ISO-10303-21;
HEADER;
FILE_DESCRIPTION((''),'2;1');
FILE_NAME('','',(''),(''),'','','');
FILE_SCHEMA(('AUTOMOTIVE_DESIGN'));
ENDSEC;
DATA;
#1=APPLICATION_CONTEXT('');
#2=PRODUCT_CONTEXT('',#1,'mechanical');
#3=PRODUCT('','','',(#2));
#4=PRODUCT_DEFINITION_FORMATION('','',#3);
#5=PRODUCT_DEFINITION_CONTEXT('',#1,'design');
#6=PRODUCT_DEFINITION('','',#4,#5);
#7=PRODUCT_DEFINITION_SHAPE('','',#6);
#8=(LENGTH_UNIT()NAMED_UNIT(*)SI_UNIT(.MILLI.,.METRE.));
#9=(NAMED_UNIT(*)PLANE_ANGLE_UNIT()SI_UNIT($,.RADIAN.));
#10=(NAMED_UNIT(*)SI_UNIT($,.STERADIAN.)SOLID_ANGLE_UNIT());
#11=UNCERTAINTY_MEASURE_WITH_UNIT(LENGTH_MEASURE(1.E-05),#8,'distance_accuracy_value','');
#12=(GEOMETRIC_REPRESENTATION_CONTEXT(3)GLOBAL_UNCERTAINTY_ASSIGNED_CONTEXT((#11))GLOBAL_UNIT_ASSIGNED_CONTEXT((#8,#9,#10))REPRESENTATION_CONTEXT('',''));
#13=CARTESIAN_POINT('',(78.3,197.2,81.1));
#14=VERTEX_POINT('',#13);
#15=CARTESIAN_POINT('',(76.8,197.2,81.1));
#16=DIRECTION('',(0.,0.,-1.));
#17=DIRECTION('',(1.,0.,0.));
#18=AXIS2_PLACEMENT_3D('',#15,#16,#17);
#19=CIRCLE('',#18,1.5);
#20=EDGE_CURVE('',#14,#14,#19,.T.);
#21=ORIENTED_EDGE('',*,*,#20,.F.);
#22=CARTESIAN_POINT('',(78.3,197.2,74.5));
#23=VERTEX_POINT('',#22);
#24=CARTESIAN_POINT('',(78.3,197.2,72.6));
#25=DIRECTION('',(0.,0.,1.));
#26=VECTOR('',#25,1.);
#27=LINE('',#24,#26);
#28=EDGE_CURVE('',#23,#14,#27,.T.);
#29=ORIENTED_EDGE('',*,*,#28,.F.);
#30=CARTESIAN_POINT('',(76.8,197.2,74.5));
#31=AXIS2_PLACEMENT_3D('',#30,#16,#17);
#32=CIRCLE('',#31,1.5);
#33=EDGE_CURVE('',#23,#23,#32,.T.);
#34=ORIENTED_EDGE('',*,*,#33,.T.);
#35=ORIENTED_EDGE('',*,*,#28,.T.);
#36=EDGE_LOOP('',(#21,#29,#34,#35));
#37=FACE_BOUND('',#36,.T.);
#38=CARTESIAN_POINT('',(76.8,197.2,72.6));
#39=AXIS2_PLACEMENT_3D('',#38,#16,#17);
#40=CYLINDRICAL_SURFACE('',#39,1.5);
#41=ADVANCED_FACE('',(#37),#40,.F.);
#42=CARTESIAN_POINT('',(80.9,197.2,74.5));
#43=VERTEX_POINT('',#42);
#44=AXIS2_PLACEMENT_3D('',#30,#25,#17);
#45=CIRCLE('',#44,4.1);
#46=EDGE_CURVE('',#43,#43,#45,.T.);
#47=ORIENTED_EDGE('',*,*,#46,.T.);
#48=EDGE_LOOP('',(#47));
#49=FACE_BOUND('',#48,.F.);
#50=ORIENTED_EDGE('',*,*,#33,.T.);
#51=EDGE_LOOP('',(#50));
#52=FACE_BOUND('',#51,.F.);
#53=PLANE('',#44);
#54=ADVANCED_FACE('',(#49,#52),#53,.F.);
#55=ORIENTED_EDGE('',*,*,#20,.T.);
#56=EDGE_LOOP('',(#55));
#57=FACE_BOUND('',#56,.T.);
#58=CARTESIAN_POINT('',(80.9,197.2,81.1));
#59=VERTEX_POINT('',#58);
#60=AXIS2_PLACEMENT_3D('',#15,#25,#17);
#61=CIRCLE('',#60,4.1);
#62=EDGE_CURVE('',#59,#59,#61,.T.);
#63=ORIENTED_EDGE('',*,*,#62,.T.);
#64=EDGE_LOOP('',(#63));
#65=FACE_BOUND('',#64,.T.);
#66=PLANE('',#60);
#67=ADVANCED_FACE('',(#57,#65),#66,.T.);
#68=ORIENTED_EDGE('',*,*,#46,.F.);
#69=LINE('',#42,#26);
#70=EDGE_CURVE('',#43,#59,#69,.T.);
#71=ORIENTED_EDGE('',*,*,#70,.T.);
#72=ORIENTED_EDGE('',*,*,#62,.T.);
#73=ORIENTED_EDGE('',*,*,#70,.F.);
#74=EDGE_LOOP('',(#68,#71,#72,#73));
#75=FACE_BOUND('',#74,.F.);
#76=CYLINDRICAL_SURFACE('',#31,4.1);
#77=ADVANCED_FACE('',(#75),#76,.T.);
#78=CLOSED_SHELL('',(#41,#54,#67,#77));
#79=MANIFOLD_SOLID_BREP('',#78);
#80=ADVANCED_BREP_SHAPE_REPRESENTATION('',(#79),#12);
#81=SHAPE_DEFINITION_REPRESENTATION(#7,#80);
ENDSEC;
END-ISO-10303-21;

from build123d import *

# Parameters (mm, degrees)
CYLINDER223_R     = 1.5
CYLINDER223_DEPTH = 10
CYLINDER224_R     = 4.1
CYLINDER224_DEPTH = 6.6


with BuildPart() as cylinder223:
    # Cylinder223 → Cylinder223 (new body)
    with BuildSketch(Plane.XY.offset(-1.9)):
        Circle(CYLINDER223_R)
    extrude(amount=CYLINDER223_DEPTH)


with BuildPart() as cut161:
    # Cylinder224 → Cylinder224 (new body)
    with BuildSketch(Plane.XY):
        Circle(CYLINDER224_R)
    extrude(amount=CYLINDER224_DEPTH)

    # Cut161: cut Cylinder223
    add(cylinder223.part, mode=Mode.SUBTRACT)


with BuildPart() as cut161_1:
    # Cut161 placement: moved
    add(cut161.part.moved(Location((76.8, 197.2, 74.5))))


solid = cut161_1.part
